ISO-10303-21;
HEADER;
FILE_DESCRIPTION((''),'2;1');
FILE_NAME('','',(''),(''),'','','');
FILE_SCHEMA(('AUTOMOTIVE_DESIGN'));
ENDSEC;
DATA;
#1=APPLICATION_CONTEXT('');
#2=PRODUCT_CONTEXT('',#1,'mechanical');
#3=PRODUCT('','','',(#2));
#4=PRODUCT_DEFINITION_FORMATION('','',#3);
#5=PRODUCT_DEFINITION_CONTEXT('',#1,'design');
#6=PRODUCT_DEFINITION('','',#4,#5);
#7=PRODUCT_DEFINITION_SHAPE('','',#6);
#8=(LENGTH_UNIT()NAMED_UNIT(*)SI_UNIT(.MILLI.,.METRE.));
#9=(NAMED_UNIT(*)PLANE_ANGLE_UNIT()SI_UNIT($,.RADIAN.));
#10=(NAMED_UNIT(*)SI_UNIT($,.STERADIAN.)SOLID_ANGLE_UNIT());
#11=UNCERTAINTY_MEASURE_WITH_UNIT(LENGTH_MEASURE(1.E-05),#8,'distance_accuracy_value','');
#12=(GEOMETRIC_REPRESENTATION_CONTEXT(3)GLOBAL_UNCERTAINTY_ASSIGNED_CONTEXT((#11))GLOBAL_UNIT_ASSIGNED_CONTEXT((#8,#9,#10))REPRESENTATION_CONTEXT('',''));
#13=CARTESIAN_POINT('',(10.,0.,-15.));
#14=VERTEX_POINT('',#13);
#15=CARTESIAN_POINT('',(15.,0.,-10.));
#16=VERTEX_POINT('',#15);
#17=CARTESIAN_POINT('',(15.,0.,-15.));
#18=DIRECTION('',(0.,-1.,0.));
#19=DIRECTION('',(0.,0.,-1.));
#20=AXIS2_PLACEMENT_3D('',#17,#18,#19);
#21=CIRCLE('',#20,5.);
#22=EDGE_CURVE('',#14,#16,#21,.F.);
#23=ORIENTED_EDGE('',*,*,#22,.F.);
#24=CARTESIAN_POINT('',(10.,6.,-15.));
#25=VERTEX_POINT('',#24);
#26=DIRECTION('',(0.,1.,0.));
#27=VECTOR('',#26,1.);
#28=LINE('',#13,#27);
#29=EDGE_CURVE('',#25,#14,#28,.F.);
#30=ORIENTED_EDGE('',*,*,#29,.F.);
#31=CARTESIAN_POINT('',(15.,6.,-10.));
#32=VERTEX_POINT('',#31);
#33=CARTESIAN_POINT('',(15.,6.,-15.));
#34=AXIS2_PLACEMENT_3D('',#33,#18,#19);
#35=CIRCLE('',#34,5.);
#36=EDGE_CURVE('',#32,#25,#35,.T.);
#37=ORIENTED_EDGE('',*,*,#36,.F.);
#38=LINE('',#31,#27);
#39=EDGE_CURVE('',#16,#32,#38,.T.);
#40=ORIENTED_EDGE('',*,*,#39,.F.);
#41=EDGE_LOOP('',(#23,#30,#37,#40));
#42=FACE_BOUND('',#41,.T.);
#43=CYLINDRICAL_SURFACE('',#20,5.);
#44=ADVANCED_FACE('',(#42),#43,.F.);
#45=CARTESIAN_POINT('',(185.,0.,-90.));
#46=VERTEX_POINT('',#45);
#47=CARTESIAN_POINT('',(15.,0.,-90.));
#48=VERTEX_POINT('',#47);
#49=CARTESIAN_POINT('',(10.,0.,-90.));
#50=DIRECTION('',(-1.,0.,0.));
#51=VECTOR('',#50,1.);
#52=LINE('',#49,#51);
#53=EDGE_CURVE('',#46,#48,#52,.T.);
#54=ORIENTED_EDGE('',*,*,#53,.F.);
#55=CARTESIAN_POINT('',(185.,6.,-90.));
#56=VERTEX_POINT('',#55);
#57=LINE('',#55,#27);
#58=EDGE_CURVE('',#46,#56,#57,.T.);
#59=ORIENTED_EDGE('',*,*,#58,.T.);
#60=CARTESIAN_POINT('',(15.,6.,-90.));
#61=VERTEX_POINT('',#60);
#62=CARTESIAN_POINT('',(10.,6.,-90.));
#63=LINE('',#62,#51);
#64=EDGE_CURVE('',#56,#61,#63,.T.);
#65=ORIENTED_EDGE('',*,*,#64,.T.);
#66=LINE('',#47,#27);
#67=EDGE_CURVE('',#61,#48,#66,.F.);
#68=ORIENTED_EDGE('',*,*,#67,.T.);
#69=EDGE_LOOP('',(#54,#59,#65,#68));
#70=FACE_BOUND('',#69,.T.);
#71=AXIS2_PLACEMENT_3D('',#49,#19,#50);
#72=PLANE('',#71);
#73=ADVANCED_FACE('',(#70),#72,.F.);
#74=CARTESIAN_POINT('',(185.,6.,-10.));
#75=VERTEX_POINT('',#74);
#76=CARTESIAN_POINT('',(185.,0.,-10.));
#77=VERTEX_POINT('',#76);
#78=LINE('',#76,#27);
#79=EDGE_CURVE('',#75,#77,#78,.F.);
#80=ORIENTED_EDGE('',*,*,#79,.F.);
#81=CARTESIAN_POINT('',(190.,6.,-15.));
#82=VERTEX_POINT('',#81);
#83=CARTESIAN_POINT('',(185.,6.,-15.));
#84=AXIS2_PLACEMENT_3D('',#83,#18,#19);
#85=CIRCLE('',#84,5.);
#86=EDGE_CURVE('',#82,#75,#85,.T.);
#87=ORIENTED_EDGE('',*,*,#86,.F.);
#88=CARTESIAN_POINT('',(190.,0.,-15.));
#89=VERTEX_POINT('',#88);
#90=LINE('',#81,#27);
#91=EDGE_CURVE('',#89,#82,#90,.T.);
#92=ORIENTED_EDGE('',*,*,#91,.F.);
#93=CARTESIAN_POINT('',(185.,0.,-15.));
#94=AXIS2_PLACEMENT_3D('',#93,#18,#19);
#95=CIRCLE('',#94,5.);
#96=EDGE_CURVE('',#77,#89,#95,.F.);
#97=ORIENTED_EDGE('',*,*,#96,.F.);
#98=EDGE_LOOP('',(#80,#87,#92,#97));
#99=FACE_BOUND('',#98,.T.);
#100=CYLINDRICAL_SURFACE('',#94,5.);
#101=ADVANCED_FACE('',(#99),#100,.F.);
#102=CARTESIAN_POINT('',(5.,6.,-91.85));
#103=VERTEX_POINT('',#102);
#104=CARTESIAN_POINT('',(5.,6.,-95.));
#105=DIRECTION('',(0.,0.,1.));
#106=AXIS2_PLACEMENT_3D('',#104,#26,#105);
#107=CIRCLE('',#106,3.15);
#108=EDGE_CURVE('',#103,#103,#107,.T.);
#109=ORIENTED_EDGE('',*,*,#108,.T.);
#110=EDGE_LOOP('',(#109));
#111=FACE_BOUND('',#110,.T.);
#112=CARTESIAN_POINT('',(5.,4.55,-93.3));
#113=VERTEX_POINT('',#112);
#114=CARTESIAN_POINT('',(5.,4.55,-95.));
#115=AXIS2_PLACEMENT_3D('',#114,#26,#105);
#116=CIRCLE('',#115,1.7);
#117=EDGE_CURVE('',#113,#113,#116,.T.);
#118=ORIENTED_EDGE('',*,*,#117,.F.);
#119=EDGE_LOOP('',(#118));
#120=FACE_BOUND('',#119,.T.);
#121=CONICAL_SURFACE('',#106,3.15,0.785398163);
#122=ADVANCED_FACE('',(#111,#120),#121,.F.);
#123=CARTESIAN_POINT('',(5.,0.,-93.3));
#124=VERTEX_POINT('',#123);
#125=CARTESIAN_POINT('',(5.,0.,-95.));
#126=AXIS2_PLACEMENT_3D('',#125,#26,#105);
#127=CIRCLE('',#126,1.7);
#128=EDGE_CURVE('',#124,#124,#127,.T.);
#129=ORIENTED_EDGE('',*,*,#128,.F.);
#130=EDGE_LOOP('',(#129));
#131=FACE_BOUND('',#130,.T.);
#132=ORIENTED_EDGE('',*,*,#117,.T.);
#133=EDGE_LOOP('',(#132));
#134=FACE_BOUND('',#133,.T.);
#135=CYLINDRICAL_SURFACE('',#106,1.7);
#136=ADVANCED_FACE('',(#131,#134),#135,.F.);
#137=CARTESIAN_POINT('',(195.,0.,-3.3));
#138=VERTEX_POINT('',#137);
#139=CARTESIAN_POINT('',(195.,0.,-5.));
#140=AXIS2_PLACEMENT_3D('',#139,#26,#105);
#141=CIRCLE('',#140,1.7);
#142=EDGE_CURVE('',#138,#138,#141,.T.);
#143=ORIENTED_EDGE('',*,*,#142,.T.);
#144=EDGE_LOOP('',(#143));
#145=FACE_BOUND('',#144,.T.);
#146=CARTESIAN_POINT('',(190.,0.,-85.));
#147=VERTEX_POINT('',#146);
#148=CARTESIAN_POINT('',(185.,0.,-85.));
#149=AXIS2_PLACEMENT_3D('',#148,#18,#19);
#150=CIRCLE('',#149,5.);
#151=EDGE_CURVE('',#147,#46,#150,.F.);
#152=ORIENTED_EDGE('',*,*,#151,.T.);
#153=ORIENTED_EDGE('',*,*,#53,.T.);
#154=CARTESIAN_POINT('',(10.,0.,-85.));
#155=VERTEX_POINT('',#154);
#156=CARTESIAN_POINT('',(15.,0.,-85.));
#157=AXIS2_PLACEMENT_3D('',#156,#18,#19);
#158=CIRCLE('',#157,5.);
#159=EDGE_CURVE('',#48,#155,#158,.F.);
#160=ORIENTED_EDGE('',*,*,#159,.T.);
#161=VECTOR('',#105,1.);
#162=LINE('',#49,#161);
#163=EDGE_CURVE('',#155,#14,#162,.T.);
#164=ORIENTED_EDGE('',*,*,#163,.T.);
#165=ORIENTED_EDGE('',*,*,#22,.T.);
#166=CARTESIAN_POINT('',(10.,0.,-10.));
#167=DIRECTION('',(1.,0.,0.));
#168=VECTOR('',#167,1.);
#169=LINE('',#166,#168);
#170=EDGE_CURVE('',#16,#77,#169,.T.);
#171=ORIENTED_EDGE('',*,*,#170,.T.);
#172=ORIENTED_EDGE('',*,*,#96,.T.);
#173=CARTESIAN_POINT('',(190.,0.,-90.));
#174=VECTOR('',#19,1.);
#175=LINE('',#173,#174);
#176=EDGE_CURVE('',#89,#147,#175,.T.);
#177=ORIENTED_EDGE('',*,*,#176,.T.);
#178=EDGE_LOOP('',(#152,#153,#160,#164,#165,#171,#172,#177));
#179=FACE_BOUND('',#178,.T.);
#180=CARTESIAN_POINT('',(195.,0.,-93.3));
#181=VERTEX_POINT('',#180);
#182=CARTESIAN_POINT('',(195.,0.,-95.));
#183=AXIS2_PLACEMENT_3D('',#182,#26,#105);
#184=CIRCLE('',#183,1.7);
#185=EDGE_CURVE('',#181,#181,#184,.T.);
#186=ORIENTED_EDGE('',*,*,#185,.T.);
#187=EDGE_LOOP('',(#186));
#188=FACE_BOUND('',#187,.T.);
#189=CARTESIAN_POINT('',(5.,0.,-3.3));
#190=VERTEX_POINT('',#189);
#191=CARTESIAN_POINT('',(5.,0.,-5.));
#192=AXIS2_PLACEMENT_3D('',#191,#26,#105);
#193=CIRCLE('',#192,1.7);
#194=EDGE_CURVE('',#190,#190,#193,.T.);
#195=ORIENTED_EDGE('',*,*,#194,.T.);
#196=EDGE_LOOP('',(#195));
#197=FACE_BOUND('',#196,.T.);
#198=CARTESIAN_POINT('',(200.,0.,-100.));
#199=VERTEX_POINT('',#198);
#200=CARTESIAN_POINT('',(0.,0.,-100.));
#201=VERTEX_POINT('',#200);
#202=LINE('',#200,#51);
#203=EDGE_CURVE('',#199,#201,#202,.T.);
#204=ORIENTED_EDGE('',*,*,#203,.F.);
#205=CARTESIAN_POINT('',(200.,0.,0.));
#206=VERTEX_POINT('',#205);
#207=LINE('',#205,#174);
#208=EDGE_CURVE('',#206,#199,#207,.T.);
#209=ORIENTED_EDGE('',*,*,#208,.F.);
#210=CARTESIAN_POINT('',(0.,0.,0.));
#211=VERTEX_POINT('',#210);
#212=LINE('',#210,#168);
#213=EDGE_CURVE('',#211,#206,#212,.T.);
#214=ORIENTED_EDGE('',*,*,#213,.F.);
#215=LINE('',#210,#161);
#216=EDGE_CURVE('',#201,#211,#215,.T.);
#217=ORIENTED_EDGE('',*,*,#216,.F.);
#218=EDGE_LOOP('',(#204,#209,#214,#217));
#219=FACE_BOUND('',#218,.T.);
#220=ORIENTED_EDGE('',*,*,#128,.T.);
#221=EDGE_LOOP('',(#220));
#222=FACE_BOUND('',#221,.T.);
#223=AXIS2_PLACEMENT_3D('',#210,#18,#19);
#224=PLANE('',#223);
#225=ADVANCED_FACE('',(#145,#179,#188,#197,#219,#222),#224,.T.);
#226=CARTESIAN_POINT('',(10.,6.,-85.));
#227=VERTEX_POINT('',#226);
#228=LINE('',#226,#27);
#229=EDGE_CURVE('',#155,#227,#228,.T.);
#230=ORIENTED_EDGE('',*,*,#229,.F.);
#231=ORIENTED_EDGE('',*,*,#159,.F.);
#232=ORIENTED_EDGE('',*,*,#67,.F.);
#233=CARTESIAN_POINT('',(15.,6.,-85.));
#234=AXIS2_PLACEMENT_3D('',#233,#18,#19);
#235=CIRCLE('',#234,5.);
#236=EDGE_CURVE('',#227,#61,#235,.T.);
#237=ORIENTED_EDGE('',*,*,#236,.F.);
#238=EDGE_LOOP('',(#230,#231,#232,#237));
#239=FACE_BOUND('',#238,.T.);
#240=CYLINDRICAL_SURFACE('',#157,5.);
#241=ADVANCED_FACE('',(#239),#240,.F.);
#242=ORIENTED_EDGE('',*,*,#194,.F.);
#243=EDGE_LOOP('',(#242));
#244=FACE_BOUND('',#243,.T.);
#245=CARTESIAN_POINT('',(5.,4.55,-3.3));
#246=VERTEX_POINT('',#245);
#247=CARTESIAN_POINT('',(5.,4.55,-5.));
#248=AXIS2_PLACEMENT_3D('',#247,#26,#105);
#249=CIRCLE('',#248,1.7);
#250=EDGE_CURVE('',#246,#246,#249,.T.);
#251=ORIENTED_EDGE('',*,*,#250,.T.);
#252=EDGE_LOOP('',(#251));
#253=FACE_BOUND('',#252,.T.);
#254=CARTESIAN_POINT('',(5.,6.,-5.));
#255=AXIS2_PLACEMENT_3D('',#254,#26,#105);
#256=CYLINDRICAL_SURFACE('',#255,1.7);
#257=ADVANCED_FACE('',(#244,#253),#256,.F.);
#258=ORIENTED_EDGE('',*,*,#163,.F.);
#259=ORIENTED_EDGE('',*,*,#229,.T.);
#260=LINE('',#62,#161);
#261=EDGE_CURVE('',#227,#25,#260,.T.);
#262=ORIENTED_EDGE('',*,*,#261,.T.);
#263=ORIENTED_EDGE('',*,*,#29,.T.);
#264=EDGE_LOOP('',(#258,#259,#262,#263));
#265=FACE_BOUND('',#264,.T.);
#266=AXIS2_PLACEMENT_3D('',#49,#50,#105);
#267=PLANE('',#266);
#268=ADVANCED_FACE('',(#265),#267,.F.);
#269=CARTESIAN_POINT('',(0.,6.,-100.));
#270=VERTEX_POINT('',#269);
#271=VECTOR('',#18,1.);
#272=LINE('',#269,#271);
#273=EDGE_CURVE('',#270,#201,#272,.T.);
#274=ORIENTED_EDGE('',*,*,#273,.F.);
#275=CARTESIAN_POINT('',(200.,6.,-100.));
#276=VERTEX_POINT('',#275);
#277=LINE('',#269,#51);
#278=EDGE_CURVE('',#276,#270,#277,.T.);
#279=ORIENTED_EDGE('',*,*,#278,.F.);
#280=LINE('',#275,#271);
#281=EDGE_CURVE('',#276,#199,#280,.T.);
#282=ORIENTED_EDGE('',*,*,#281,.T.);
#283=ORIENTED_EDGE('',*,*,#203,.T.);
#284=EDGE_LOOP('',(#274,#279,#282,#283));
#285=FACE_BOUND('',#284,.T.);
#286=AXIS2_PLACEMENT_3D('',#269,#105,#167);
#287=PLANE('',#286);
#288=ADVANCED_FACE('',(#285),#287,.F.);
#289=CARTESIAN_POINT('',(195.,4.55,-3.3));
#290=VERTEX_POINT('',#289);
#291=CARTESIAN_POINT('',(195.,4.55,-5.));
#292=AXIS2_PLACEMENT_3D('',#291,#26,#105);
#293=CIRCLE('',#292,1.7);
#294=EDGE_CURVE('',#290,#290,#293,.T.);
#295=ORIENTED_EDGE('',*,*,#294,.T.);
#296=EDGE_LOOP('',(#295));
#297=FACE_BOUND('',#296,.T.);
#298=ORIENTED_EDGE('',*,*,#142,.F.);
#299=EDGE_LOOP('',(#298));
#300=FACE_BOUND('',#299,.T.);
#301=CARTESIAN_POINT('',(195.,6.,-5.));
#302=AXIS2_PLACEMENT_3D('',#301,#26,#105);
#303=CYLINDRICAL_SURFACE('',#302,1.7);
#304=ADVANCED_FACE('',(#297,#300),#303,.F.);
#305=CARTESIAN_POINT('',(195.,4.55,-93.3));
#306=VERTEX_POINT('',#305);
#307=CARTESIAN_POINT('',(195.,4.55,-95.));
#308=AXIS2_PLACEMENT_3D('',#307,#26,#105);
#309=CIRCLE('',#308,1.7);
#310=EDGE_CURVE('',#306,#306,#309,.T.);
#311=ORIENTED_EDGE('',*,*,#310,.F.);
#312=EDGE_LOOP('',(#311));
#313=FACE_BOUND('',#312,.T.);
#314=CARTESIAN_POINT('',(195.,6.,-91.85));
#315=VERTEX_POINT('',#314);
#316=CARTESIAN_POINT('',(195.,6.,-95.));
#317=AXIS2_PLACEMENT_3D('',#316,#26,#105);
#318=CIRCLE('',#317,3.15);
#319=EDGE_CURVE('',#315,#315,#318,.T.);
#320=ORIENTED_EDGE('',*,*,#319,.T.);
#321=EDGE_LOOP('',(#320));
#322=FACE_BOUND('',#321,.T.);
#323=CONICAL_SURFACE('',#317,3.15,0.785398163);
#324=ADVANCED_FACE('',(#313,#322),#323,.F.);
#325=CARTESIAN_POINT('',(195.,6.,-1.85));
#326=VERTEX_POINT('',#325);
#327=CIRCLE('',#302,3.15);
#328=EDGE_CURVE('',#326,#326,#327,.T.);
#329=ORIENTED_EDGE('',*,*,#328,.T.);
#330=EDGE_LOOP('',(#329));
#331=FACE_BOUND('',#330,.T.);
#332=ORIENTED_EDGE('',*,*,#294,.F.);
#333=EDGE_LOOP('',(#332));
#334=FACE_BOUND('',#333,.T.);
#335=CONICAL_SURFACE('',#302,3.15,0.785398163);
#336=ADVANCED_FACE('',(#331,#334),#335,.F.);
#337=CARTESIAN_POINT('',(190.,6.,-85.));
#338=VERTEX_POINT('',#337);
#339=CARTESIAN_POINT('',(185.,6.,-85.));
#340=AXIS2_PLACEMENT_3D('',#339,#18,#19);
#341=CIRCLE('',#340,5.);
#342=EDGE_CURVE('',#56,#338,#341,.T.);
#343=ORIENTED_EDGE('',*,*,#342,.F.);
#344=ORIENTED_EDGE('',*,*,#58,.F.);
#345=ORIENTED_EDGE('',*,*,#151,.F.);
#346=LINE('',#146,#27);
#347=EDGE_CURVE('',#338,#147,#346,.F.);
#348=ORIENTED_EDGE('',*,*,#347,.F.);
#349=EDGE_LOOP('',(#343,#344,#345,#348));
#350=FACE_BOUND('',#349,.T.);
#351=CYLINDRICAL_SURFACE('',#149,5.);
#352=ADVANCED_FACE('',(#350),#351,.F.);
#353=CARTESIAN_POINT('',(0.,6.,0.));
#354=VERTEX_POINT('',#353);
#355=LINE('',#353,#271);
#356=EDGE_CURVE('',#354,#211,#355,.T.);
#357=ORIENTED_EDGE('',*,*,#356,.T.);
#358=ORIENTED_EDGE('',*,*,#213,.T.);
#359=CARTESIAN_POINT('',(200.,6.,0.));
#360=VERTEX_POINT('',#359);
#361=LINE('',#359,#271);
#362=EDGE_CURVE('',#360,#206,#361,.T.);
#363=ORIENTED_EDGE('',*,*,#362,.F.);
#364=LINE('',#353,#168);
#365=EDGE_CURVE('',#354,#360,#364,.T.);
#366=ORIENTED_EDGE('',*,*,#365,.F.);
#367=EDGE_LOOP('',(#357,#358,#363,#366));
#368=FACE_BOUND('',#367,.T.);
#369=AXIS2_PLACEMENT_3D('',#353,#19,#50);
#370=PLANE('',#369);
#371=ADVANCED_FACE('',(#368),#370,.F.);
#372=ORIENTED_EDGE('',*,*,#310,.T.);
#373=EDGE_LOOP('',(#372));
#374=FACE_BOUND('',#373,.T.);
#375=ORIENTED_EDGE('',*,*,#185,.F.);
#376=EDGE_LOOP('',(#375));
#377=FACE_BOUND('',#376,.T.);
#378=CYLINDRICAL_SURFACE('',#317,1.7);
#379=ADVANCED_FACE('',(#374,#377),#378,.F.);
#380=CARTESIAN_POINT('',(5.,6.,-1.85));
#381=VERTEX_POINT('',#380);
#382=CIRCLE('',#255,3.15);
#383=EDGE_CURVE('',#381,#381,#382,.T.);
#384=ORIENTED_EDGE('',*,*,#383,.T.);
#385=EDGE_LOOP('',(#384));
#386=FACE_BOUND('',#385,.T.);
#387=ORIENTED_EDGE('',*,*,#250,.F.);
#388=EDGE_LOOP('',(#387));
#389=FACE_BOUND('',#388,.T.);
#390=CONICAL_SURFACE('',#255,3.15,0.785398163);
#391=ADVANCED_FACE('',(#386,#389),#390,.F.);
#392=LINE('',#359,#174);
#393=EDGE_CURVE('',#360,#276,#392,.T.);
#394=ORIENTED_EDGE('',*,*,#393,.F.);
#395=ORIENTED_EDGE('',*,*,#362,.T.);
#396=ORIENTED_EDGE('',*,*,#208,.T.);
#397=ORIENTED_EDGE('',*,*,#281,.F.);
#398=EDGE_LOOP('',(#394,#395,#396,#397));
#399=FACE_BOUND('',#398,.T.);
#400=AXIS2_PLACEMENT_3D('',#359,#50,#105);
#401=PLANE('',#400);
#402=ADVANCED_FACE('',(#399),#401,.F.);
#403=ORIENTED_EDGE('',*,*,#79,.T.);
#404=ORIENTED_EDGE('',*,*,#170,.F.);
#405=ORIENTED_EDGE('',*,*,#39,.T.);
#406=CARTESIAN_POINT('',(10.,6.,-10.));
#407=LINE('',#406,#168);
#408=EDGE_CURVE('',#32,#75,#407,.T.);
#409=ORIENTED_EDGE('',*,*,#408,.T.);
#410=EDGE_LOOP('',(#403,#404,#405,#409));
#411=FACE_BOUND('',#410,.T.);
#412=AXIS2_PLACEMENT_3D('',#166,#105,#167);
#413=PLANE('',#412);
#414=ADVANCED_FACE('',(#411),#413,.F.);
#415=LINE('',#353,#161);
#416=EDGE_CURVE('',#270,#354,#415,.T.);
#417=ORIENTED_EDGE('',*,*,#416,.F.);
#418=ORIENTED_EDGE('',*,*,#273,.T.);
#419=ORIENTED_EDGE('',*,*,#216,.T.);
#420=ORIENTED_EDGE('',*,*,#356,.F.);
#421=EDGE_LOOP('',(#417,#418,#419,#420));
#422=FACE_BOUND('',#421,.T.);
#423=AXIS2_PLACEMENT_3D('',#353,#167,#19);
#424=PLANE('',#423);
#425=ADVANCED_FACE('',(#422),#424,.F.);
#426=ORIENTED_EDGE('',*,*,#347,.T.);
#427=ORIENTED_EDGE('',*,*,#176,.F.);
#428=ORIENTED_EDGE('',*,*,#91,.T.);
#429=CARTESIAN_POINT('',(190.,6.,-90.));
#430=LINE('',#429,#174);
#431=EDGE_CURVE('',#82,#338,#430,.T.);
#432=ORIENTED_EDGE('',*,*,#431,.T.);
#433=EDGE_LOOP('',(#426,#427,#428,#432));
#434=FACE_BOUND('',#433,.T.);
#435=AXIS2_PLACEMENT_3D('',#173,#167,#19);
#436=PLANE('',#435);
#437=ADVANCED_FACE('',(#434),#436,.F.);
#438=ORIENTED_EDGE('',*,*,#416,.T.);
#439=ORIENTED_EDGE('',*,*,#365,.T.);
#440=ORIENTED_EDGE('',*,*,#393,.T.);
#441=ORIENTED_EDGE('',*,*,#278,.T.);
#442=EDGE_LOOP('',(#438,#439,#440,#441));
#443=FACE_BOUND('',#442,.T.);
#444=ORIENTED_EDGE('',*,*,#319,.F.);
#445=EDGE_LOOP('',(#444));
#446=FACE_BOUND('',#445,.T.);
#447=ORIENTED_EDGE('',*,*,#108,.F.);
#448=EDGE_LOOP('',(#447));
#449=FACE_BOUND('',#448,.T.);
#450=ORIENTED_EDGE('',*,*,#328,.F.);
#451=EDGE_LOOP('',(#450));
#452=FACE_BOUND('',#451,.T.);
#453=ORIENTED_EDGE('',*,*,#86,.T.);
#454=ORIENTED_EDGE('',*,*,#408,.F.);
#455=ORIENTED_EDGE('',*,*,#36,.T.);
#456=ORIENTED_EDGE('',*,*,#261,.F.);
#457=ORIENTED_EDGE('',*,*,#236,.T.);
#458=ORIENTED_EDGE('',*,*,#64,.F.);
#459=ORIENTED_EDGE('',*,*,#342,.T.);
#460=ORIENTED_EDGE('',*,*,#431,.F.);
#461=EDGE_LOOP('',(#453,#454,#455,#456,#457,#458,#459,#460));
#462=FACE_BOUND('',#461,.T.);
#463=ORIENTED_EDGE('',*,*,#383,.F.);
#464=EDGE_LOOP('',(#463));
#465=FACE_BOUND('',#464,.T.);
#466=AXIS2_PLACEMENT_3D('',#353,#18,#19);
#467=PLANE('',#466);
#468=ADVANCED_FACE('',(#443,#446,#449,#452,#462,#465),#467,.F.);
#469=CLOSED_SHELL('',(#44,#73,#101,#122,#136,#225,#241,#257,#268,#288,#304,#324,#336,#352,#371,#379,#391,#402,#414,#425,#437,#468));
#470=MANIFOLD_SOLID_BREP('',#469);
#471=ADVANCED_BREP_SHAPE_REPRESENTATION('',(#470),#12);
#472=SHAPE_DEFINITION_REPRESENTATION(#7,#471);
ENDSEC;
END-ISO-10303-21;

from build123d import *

# Parameters (mm, degrees)
SKETCH1_W                                           = 200
SKETCH1_H                                           = 100
BOSS_EXTRUDE1_DEPTH                                 = 6
SKETCH2_W                                           = 180
SKETCH2_H                                           = 80
CUT_EXTRUDE1_DEPTH                                  = 224.687281713
FILLET1_R                                           = 5
CSK_FOR_M3_COUNTERSUNK_FLAT_HEAD_SCREW1_D           = 3.4
CSK_FOR_M3_COUNTERSUNK_FLAT_HEAD_SCREW1_CSINK_D     = 6.3
CSK_FOR_M3_COUNTERSUNK_FLAT_HEAD_SCREW1_CSINK_ANGLE = 90


with BuildPart() as part:
    # Sketch1 → Boss-Extrude1 (new body)
    with BuildSketch(Plane(origin=(0, 0, 0), x_dir=(1, 0, 0), z_dir=(0, 1, 0))):
        with Locations((100, 50)):
            Rectangle(SKETCH1_W, SKETCH1_H)
    extrude(amount=BOSS_EXTRUDE1_DEPTH)

    # Sketch2 → Cut-Extrude1 (cut, through all)
    with BuildSketch(Plane(origin=(0, 6, 0), x_dir=(1, 0, 0), z_dir=(0, 1, 0))):
        with Locations((100, 50)):
            Rectangle(SKETCH2_W, SKETCH2_H)
    extrude(amount=-CUT_EXTRUDE1_DEPTH, mode=Mode.SUBTRACT)

    # Fillet1
    fillet1_edges = [part.edges().sort_by_distance(p)[0] for p in [
        (10, 3, -10),
        (10, 3, -90),
        (190, 3, -90),
        (190, 3, -10),
    ]]
    fillet(fillet1_edges, radius=FILLET1_R)

    # CSK for M3 Countersunk Flat Head Screw1 (through all)
    with Locations(Plane(origin=(0, 6, 0), x_dir=(1, 0, 0), z_dir=(0, 1, 0))):
        with Locations((5, 5), (5, 95), (195, 95), (195, 5)):
            CounterSinkHole(CSK_FOR_M3_COUNTERSUNK_FLAT_HEAD_SCREW1_D / 2, CSK_FOR_M3_COUNTERSUNK_FLAT_HEAD_SCREW1_CSINK_D / 2, counter_sink_angle=CSK_FOR_M3_COUNTERSUNK_FLAT_HEAD_SCREW1_CSINK_ANGLE)


solid = part.part
